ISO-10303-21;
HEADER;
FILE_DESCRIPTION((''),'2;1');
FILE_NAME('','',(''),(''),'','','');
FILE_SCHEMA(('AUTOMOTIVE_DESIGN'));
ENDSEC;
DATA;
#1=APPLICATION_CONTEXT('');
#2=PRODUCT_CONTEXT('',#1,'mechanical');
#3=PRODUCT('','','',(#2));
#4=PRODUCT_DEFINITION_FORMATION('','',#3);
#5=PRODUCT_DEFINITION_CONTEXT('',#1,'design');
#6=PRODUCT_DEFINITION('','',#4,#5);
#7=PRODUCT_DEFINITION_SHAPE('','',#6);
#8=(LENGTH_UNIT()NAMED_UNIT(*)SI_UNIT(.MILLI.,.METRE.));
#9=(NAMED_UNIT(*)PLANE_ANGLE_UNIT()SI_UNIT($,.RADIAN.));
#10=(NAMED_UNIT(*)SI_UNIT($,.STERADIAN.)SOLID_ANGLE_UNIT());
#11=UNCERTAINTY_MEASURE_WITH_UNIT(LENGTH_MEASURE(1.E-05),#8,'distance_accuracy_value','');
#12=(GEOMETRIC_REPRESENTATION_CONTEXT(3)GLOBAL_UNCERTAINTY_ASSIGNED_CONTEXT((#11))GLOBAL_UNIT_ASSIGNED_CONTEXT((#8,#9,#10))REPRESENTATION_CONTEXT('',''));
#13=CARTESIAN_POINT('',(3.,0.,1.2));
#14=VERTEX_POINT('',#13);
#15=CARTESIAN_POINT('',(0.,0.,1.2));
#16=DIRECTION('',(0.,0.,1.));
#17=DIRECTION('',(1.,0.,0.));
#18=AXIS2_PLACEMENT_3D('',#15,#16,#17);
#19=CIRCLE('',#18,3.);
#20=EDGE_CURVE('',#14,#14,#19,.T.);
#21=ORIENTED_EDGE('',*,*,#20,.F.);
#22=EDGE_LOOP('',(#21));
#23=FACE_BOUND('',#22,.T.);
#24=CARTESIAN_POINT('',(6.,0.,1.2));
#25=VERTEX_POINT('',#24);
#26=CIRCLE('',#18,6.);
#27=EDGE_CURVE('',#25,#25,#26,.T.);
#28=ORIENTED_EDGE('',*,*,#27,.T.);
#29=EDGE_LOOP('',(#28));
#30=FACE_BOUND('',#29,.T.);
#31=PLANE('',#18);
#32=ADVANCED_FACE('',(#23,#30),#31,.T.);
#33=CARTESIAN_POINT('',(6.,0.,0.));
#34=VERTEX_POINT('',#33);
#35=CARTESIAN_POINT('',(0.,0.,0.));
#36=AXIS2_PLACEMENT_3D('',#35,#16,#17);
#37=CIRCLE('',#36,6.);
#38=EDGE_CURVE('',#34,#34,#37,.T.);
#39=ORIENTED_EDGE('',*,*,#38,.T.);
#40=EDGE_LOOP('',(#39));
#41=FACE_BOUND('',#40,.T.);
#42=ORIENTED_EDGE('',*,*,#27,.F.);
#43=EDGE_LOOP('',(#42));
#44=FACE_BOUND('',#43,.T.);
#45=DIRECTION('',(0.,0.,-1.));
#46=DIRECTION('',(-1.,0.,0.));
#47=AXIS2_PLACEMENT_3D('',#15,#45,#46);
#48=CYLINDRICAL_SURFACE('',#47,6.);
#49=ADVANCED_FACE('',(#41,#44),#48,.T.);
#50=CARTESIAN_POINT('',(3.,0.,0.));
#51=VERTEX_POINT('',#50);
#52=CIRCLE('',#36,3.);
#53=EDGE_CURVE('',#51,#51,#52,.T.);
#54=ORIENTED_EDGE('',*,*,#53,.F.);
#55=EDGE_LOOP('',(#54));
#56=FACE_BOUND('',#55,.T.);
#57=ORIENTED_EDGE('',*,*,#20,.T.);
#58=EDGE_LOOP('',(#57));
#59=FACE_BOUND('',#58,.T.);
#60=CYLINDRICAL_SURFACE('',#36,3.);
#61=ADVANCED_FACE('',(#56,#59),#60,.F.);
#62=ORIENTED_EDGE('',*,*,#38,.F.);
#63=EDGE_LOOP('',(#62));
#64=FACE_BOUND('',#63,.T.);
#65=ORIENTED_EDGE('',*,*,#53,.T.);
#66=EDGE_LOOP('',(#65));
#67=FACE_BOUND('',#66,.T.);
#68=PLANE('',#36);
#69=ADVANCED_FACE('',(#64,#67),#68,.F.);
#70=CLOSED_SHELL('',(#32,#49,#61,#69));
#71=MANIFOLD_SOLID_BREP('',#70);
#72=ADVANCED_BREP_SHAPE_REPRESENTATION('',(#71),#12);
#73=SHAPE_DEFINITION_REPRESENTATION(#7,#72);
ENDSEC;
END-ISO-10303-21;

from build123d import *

# Parameters (mm, degrees)
ESQUISSE1_R             = 6
BOSS_EXTRU_1_DEPTH      = 1.2
ESQUISSE2_R             = 3
ENL_V_MAT_EXTRU_1_DEPTH = 1.2


with BuildPart() as part:
    # Esquisse1 → Boss.-Extru.1 (new body)
    with BuildSketch(Plane.XY):
        Circle(ESQUISSE1_R)
    extrude(amount=BOSS_EXTRU_1_DEPTH)

    # Esquisse2 → Enlèv. mat.-Extru.1 (cut)
    with BuildSketch(Plane.XY.offset(1.2)):
        Circle(ESQUISSE2_R)
    extrude(amount=-ENL_V_MAT_EXTRU_1_DEPTH, mode=Mode.SUBTRACT)


solid = part.part
